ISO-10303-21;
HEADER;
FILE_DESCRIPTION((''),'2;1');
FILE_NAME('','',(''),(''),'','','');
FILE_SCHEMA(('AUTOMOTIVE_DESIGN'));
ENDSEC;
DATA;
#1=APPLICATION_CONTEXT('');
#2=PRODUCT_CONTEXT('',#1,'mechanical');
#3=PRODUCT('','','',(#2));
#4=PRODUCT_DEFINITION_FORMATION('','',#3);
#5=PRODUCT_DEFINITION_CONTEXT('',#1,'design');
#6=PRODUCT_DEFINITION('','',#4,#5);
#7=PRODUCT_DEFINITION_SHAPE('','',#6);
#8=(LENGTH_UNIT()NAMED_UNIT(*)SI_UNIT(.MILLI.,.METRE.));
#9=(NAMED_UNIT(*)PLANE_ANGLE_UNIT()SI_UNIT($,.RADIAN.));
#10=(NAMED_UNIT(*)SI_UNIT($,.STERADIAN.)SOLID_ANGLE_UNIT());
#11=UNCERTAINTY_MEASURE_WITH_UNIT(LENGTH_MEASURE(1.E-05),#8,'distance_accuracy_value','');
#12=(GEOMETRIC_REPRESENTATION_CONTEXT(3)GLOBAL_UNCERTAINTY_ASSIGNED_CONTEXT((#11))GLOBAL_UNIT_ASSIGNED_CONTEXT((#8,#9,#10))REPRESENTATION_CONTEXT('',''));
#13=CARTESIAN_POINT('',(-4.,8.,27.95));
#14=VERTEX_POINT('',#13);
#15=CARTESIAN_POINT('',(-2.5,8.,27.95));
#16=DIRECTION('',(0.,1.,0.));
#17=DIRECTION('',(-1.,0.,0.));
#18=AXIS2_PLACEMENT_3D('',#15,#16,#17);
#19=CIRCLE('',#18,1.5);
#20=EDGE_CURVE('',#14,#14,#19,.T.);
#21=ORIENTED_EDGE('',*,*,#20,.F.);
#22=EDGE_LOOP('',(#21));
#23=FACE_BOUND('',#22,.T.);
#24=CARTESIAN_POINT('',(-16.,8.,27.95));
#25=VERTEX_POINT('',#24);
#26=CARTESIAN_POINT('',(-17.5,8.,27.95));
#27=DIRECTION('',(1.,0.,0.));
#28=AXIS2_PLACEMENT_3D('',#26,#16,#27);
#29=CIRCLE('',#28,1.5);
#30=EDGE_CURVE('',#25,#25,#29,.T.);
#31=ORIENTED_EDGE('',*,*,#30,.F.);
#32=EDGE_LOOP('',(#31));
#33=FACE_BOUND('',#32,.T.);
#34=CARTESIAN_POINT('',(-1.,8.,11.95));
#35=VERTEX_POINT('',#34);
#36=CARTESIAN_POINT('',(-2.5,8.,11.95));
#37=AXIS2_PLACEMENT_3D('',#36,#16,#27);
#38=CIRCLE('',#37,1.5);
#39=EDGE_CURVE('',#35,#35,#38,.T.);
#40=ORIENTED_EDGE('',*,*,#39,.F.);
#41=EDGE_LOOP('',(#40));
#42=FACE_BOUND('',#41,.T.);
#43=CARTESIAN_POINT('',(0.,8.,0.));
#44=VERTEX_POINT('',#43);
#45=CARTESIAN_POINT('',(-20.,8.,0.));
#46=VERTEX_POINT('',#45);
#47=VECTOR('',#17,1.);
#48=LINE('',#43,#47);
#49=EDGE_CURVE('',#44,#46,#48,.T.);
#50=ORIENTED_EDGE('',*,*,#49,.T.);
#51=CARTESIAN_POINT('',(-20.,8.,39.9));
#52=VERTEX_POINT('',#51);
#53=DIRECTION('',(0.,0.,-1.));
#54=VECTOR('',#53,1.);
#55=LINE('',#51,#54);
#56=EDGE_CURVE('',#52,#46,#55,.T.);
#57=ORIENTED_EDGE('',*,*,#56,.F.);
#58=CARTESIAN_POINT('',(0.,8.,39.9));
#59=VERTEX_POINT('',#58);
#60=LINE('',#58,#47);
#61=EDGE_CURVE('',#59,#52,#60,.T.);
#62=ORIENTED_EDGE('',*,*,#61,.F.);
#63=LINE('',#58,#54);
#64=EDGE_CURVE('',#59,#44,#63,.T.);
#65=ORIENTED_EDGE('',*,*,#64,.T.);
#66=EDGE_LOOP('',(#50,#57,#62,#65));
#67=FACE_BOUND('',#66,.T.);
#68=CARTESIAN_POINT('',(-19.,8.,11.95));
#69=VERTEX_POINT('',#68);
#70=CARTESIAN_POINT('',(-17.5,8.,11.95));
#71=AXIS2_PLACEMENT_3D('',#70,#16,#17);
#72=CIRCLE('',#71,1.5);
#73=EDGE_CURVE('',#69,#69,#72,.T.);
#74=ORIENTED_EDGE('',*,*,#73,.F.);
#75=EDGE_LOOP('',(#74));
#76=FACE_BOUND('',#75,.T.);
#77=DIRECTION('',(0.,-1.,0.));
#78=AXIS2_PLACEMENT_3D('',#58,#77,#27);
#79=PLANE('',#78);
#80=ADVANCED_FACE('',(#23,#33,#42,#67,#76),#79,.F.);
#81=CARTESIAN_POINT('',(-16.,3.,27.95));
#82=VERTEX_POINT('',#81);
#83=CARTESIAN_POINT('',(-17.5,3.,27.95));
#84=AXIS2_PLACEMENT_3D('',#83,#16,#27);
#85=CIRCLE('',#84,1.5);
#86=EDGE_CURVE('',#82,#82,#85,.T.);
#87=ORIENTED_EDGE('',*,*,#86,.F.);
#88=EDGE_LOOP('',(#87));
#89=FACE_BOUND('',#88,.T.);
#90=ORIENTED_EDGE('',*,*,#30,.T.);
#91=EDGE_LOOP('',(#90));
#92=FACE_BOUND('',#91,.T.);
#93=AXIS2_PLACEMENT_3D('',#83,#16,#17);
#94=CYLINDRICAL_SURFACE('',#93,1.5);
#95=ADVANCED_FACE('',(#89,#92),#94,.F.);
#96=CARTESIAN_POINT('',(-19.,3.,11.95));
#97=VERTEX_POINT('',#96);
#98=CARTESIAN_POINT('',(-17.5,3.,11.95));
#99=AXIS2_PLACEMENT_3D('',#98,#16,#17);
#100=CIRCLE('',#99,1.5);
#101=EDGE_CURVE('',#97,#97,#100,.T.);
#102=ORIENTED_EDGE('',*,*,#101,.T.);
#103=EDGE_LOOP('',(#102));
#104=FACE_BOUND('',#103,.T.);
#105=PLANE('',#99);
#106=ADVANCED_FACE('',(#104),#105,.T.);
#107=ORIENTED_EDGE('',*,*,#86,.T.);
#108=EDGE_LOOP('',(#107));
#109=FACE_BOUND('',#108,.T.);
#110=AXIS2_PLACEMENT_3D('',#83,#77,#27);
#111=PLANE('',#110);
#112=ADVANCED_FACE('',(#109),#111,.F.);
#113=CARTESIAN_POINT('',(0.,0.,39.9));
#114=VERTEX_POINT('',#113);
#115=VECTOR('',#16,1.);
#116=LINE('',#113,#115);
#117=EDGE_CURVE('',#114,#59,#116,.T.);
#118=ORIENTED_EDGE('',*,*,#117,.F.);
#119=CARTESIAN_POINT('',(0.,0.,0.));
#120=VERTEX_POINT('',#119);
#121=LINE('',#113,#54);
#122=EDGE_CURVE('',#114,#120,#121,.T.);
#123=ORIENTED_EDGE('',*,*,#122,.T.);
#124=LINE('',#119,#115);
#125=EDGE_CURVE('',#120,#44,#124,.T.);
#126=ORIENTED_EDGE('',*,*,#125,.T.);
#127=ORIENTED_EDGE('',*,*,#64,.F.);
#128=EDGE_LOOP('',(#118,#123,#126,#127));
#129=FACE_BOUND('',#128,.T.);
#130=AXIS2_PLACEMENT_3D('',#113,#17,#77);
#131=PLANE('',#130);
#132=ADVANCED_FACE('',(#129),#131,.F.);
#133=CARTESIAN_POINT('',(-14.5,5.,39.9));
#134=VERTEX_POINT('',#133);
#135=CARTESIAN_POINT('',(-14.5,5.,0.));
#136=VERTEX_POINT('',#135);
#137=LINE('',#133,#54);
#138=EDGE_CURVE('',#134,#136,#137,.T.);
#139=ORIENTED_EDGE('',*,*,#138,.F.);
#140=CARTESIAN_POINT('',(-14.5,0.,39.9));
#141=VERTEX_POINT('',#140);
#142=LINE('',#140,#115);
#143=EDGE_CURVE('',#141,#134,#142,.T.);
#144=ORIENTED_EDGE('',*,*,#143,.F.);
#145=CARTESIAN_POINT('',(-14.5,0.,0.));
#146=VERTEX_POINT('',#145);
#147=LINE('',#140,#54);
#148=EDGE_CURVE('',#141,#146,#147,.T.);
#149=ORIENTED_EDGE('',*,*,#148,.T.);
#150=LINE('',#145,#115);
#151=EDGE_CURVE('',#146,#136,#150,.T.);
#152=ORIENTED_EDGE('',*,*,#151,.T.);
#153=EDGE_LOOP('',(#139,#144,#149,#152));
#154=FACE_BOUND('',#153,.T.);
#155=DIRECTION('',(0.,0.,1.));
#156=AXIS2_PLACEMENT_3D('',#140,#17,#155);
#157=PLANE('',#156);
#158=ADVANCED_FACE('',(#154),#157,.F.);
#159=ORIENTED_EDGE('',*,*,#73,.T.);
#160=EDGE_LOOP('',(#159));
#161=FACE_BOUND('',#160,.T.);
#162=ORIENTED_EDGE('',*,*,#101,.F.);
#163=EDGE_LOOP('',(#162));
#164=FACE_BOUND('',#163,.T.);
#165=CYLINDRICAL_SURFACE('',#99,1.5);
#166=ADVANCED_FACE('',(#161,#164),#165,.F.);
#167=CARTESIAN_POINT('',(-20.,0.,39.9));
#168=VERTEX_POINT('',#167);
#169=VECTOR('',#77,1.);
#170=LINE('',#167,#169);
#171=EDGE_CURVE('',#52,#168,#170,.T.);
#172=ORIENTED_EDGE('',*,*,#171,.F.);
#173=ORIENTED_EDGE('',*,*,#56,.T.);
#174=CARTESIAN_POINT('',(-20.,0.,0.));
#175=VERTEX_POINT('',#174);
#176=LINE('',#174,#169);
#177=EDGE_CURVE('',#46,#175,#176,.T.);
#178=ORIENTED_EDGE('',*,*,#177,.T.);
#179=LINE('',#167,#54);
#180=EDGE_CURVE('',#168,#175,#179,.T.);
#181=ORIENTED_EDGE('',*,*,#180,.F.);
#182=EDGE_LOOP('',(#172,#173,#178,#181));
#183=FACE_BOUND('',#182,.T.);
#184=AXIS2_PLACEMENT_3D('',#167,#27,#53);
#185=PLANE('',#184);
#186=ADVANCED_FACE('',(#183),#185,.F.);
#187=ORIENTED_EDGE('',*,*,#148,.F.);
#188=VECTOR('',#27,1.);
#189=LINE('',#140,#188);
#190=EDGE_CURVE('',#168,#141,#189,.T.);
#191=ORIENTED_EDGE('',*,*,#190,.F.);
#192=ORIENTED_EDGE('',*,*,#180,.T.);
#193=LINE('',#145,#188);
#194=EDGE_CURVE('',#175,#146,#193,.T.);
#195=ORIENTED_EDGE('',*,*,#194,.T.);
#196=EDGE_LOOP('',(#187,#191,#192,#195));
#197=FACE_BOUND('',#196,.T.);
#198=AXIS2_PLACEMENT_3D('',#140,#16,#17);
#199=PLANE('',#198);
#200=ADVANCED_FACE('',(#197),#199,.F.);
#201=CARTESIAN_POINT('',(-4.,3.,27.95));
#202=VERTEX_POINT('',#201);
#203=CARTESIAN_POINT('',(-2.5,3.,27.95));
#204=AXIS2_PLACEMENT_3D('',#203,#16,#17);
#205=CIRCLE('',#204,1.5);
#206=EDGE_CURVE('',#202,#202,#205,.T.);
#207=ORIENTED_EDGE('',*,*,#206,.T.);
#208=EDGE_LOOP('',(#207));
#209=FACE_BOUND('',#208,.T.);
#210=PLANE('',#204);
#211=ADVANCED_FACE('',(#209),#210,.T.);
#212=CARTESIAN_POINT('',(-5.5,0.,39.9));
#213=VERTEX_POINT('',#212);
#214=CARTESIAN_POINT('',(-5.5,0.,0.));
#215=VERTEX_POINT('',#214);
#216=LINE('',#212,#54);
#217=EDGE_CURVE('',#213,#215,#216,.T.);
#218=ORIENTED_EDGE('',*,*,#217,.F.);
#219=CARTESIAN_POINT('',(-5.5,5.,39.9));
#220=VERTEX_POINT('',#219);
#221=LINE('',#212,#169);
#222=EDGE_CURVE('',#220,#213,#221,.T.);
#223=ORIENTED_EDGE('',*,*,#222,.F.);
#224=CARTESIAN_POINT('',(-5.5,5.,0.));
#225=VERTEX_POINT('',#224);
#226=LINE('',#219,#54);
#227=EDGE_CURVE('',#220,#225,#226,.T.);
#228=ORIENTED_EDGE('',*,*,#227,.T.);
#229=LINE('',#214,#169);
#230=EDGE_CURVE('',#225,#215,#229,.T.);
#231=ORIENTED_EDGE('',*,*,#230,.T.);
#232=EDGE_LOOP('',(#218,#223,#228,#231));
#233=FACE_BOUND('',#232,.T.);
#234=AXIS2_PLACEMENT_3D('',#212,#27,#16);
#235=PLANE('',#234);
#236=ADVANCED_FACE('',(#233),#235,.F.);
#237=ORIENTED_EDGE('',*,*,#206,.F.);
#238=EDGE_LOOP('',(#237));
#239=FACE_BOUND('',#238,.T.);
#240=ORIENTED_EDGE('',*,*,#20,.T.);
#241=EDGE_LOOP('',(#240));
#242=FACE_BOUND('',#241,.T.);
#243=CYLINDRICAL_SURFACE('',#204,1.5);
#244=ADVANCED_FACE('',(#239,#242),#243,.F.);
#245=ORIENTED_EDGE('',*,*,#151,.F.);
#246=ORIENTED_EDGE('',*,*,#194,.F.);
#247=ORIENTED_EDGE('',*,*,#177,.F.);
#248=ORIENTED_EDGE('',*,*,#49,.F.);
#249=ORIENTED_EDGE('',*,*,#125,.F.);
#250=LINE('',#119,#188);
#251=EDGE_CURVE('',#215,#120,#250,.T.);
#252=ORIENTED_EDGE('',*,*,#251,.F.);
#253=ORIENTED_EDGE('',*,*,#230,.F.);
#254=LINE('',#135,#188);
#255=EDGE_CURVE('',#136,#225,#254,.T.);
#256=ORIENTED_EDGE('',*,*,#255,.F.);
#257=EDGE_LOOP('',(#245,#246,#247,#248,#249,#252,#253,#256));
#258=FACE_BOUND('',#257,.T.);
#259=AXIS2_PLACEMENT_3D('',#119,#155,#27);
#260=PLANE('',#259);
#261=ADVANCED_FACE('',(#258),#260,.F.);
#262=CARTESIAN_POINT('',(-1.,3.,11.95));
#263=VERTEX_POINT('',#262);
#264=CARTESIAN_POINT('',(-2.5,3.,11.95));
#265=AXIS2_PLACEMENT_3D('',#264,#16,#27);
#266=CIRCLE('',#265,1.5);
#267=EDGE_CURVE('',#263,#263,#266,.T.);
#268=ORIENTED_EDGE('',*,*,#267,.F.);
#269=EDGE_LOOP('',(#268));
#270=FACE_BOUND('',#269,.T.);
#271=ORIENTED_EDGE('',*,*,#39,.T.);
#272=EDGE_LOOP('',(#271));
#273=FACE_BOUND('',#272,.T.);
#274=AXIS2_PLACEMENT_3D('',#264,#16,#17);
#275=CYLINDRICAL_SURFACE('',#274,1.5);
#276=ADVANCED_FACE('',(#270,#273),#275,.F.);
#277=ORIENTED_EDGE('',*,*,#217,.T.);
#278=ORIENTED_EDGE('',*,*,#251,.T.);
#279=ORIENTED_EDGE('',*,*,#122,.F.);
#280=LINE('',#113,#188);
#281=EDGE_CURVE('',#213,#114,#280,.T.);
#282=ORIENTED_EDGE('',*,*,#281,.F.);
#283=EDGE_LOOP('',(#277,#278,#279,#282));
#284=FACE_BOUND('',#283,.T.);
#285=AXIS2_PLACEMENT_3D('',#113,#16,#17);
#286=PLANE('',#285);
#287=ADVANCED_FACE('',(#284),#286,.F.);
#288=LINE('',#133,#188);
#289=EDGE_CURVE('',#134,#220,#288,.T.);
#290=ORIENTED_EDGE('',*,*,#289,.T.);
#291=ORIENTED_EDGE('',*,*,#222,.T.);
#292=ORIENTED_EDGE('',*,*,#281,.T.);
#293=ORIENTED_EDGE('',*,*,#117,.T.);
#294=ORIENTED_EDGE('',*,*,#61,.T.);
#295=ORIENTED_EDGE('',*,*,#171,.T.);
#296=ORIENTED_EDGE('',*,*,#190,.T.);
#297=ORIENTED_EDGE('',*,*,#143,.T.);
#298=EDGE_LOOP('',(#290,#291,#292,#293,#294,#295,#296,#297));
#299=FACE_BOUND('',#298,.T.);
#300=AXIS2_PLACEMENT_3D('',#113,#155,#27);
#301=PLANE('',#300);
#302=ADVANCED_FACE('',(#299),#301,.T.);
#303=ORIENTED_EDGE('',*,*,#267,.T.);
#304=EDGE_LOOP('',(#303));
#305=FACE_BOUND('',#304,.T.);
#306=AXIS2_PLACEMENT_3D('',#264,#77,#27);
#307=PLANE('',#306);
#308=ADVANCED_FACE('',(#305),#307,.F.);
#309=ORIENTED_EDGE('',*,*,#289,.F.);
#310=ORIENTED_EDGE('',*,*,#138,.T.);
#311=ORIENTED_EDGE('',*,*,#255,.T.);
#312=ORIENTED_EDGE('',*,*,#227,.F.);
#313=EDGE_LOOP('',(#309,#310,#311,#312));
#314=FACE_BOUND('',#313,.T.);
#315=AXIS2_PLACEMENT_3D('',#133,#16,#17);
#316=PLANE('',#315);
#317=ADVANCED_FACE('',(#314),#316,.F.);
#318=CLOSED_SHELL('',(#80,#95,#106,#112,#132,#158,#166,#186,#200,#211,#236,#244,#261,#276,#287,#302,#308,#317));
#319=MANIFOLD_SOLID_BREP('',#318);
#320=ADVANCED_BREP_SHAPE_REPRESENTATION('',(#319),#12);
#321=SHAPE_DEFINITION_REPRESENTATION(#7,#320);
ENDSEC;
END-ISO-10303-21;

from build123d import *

# Parameters (mm, degrees)
EXTRUDE_1_DEPTH     = 39.9
SKETCH_2_R          = 1.5
CUT_EXTRUDE_1_DEPTH = 5


with BuildPart() as part:
    # 草图1 → 凸台-拉伸1 (new body)
    with BuildSketch(Plane.XY):
        Polygon((0, 0), (-5.5, 0), (-5.5, 5), (-14.5, 5), (-14.5, 0), (-20, 0), (-20, 8), (0, 8), align=None)
    extrude(amount=EXTRUDE_1_DEPTH)

    # 草图2 → 切除-拉伸1 (cut)
    with BuildSketch(Plane(origin=(0, 8, 0), x_dir=(1, 0, 0), z_dir=(0, 1, 0))):
        with Locations(Location((-17.5, -11.95, 0), (0, 0, 180))):
            Circle(SKETCH_2_R)
        with Locations((-2.5, -11.95)):
            Circle(SKETCH_2_R)
        with Locations(Location((-2.5, -27.95, 0), (0, 0, 180))):
            Circle(SKETCH_2_R)
        with Locations((-17.5, -27.95)):
            Circle(SKETCH_2_R)
    extrude(amount=-CUT_EXTRUDE_1_DEPTH, mode=Mode.SUBTRACT)


solid = part.part
